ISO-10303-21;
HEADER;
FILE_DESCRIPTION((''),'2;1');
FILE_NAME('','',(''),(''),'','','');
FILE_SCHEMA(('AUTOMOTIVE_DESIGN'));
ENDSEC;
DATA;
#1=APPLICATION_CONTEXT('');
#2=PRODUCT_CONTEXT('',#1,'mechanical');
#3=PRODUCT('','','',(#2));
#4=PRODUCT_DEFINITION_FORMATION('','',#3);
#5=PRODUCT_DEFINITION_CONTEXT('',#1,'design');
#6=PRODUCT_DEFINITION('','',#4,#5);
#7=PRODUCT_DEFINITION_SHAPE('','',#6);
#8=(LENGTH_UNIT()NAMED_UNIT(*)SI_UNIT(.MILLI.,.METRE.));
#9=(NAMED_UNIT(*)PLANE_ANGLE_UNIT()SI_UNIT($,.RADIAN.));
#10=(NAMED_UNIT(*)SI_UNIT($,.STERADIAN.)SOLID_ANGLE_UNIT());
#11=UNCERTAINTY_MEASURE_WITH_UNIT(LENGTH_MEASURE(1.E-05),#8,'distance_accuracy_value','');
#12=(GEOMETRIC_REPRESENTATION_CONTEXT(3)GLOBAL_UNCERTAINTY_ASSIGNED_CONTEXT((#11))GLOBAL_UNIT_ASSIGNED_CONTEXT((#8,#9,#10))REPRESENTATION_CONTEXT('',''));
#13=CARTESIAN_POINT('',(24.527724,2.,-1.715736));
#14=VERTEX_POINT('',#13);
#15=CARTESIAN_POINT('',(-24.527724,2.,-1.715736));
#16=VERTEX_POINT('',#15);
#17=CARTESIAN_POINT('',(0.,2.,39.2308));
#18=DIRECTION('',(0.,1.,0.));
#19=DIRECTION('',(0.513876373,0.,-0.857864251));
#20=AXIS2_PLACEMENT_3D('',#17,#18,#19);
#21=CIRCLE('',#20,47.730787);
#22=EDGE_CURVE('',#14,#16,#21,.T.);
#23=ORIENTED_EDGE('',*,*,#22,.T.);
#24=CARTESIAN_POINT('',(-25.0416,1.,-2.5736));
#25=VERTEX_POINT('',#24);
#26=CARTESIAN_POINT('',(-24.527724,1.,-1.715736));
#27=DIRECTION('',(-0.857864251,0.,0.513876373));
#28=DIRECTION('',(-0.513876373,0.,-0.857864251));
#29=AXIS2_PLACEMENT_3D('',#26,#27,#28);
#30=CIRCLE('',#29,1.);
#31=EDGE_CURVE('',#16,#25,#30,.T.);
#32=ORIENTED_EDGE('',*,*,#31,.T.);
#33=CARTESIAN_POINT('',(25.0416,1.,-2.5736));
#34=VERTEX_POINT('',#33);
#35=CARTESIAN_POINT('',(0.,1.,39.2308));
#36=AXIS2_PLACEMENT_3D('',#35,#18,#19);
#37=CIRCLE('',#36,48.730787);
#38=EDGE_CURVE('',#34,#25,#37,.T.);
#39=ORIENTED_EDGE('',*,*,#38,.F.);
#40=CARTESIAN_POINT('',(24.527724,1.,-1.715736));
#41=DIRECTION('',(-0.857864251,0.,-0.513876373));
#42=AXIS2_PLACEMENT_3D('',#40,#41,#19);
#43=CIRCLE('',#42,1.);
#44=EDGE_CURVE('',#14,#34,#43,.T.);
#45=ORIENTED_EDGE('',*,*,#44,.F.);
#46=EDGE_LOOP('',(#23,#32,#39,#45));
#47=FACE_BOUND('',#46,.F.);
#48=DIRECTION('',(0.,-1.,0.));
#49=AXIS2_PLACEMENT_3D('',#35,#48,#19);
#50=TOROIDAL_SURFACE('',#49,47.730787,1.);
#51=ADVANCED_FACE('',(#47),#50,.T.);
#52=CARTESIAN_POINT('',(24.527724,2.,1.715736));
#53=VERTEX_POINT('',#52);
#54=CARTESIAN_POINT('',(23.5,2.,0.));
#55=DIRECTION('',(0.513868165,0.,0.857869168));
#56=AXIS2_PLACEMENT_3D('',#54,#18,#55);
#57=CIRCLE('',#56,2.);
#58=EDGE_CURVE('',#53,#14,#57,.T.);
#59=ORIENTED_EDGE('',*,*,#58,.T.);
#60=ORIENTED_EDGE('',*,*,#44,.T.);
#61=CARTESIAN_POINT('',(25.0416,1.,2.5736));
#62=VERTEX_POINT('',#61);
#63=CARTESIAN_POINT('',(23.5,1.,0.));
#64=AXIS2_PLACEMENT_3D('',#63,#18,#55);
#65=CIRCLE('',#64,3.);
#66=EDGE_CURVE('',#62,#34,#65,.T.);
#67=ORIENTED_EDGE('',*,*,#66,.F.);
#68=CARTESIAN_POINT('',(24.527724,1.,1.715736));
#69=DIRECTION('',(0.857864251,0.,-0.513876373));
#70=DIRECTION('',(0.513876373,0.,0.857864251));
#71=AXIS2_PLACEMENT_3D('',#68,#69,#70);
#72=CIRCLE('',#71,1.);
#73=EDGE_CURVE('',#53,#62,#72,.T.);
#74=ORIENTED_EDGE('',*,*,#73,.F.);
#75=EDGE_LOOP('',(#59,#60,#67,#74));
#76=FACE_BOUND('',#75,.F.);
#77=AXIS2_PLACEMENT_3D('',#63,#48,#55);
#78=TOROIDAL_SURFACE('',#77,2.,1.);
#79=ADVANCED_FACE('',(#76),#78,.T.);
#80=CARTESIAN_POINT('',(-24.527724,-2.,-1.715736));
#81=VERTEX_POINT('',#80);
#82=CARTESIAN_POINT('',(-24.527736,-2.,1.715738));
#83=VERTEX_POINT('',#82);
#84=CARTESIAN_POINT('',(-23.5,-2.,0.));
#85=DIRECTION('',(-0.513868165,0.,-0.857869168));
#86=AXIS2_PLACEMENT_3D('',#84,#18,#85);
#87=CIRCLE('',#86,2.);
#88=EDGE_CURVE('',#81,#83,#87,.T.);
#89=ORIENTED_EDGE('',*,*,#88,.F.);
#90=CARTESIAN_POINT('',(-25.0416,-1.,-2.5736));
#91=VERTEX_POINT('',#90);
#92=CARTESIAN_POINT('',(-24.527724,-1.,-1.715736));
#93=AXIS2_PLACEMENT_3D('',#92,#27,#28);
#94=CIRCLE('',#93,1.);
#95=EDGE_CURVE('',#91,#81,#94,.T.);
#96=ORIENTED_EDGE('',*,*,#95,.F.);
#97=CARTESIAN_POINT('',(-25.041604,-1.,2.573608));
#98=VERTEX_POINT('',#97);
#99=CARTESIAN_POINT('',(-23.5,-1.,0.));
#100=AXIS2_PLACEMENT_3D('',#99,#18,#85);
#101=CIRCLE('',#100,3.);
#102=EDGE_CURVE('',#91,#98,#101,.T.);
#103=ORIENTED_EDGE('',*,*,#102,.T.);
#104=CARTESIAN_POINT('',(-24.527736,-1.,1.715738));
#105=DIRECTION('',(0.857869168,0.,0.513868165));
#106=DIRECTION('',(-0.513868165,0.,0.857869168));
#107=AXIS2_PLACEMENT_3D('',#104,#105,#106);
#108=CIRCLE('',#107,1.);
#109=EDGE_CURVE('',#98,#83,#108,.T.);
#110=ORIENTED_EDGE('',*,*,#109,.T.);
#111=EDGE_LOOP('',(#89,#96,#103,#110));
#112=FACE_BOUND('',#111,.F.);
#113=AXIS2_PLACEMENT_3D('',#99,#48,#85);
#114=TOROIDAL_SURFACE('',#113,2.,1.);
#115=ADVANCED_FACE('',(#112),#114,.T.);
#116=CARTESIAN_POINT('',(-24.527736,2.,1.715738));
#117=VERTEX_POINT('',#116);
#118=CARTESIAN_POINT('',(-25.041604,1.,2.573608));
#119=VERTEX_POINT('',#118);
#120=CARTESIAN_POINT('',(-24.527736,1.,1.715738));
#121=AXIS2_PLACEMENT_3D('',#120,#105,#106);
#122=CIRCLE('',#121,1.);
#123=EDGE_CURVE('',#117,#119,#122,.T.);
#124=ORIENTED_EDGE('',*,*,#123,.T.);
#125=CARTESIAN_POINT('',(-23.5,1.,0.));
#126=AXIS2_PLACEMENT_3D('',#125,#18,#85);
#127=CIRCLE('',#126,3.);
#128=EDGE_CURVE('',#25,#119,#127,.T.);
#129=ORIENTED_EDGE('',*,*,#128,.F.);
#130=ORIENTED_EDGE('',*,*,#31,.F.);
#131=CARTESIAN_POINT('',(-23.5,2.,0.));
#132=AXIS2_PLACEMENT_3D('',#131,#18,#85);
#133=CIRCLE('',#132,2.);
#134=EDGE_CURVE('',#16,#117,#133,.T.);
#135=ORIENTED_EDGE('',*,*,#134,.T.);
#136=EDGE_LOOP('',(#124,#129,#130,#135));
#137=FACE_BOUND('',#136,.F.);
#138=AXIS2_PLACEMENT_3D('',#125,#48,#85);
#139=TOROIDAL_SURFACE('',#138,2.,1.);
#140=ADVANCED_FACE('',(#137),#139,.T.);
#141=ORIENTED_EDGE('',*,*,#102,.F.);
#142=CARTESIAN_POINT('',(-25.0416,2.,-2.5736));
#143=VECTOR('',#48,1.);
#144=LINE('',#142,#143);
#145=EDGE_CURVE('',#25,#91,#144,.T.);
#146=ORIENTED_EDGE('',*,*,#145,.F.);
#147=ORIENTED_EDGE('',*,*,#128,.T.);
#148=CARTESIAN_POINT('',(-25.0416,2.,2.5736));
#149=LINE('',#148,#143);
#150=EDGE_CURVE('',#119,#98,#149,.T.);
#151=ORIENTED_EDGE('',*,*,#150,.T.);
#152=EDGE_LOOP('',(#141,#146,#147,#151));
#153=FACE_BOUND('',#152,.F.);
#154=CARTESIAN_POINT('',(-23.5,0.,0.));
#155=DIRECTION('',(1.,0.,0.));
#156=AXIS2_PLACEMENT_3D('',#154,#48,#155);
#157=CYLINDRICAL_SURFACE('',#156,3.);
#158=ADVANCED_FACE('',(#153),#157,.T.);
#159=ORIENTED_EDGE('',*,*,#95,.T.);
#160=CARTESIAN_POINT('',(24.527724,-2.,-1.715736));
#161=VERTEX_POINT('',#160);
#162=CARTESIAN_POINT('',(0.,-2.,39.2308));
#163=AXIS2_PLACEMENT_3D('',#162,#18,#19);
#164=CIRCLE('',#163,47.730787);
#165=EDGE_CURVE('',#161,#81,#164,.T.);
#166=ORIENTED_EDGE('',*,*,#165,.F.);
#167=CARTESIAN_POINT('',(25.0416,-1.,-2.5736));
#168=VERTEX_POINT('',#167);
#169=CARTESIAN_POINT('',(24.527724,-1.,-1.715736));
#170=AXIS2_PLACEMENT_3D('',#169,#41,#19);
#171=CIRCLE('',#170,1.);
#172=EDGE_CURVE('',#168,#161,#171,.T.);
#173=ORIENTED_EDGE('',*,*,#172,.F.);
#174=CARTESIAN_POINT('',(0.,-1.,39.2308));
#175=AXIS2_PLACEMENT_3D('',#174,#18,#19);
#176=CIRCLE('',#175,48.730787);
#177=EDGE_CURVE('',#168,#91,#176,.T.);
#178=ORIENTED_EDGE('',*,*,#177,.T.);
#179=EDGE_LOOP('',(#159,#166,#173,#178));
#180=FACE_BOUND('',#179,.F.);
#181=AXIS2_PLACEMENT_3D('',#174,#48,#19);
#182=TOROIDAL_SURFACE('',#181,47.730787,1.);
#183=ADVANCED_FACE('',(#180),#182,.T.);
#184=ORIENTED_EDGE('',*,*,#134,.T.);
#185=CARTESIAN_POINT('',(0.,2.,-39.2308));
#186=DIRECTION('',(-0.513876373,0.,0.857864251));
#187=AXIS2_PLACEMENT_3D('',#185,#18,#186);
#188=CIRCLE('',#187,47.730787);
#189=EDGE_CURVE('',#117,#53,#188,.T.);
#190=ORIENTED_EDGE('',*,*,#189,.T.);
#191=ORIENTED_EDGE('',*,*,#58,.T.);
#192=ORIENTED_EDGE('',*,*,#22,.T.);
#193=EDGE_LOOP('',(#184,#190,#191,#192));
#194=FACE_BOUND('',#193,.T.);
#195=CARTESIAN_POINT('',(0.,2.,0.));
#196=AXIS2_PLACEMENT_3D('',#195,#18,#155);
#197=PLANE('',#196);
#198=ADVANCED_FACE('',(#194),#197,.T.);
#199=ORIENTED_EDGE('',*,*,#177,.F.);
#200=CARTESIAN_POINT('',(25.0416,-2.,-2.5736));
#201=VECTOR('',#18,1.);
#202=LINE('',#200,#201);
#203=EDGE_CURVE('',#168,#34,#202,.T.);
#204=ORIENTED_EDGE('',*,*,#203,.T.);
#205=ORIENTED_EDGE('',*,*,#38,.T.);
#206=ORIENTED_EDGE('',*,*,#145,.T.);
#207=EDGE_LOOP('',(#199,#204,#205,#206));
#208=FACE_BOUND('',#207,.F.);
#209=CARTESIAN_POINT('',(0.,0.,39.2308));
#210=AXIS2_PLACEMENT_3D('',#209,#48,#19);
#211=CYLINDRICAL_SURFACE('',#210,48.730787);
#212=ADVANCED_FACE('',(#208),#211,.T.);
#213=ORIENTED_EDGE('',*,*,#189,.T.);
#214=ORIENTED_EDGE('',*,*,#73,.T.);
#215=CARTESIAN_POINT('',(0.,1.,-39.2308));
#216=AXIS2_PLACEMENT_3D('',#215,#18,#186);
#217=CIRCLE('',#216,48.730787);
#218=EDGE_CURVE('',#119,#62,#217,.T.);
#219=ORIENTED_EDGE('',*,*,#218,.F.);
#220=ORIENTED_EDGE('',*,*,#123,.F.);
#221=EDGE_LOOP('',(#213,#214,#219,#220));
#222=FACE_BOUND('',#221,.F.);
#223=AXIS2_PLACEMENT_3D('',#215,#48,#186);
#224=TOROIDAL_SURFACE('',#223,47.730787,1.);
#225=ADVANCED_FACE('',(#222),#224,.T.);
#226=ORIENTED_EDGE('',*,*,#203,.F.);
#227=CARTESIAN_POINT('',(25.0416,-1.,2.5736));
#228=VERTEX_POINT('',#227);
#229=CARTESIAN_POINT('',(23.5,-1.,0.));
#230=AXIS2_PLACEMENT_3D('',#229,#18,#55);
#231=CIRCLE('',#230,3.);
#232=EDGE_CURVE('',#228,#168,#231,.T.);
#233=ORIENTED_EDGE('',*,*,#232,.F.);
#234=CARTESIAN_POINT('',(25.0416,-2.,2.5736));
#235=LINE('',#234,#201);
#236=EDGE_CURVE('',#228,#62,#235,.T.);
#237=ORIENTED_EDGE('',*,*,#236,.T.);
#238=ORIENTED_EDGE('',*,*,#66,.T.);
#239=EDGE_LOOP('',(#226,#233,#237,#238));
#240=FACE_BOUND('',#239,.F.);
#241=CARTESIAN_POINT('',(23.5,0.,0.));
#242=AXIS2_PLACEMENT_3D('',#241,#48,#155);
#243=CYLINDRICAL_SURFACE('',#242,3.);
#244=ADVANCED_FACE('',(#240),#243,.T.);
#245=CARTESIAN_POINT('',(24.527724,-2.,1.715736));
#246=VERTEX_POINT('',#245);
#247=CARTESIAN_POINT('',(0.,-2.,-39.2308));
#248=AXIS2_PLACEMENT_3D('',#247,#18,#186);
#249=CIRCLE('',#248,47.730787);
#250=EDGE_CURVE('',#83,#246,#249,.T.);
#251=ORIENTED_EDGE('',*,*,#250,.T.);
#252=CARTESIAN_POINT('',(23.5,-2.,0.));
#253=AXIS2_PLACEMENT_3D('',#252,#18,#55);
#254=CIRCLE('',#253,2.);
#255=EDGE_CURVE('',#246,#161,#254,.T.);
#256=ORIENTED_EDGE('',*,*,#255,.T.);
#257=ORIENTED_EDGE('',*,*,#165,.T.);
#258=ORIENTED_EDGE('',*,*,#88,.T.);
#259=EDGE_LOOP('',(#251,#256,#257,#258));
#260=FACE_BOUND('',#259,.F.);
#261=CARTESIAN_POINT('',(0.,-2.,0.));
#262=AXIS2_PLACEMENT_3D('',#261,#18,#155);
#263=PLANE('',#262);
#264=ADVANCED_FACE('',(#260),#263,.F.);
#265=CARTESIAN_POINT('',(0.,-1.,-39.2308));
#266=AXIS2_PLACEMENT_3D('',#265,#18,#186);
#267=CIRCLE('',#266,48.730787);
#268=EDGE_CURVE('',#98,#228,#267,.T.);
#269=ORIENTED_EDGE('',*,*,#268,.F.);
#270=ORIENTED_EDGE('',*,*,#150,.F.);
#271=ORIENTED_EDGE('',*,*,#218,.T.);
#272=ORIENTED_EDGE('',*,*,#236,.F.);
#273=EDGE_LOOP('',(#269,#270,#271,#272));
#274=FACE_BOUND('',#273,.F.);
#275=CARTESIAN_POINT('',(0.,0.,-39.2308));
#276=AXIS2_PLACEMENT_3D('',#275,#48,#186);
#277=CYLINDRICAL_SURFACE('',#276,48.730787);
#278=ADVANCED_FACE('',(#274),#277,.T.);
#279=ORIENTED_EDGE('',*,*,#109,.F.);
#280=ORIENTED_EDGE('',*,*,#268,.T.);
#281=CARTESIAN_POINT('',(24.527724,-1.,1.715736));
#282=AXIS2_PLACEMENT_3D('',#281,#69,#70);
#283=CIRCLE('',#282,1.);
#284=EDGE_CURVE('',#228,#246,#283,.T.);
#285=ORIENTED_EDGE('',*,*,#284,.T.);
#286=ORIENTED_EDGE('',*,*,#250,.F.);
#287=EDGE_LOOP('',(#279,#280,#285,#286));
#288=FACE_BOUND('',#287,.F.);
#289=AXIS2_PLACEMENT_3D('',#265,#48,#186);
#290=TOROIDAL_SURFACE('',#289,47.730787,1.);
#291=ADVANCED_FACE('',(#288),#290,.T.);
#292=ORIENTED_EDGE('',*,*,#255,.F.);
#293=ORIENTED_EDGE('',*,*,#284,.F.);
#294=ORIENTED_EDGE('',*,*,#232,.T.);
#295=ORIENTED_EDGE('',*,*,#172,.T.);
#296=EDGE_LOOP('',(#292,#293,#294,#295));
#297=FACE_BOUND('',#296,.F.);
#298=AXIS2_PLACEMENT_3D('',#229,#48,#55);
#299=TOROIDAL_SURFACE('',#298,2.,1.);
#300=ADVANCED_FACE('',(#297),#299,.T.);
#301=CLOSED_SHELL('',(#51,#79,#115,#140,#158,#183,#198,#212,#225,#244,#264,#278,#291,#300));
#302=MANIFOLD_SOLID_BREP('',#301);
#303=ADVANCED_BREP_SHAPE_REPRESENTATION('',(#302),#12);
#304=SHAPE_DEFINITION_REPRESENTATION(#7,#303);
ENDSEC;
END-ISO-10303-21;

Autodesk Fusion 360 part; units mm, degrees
sketch "Sketch1" plane through (0, 0, 0) normal (0, 0, 1) x (1, 0, 0)
  line L0 (31.5, -2) -> (-31.5, -2)
  line L1 (-31.5, -2) -> (-31.5, 2)
  line L2 (-31.5, 2) -> (31.5, 2)
  line L3 (31.5, 2) -> (31.5, -2)
  line L4 (31.5, -2) -> (-31.5, 2) construction
  line L5 (-31.5, -2) -> (31.5, 2) construction
  dimension "d8" = 4
  dimension "d9" = 63
extrude "Extrude1" add sketch "Sketch1" along normal mid plane 20 makes body 1
sketch "Sketch2" plane through (0, 0, 0) normal (0, 1, 0) x (1, 0, 0)
  arc A0 (25.0416, 2.5736) -> (-25.0416, 2.5736) centre (0, -39.2308) ccw
  arc A1 (-25.0416, -2.5736) -> (25.0416, -2.5736) centre (0, 39.2308) ccw
  circle A2 centre (-23.5, 0) radius 3
  circle A3 centre (23.5, 0) radius 3
  point P0 (-26.5, 0)
  point P1 (26.5, 0)
  point P2 (0, 9.5)
  point P3 (0, -9.5)
  dimension "d12" = 6
  dimension "d13" = 6
  dimension "d14" = 53
  dimension "d15" = 19
extrude "Extrude2" add sketch "Sketch2" along normal mid plane 4 separate body makes body 2
fillet "Fillet1" radius 1 8 edges at (0, 2, -9.5) (-26.5, 2, 0) (0, 2, 9.5) (26.5, 2, 0) (0, -2, -9.5) (26.5, -2, 0) (0, -2, 9.5) (-26.5, -2, 0) on bodies 2
sketch "Sketch4" plane through (0, 0, 0) normal (0, 0, 1) x (1, 0, 0)
hidden bodies 1
equation "LamelloLength = 53 mm" comment "Size20 = 56mm; Size10 = 53 mm; Size0 = 47 mm; SizeH9 = 38 mm"
equation "LamelloWidth = 19 mm" comment "Size20 = 23mm; Size10 = 19mm; Size0 = 15 mm; SizeH9 =12 mm"
equation "LamelloThickness = 4 mm" comment "Size20 = 4mm; Size10 = 4 mm; Size0 = 4 mm; SizeH9 = 3mm"
equation "Tolerance = 1 mm" comment "Recommended tolerance for cutting"
equation "GrooveLength = LamelloLength + Tolerance + 9 mm"
equation "GrooveWidth = LamelloWidth + 1 mm"
equation "GrooveThickness = LamelloThickness"
equation "d8 = GrooveThickness"
equation "d9 = GrooveLength"
equation "d10 = GrooveWidth"
equation "d14 = LamelloLength"
equation "d15 = LamelloWidth"
equation "d16 = LamelloThickness"
properties part number "S10"
